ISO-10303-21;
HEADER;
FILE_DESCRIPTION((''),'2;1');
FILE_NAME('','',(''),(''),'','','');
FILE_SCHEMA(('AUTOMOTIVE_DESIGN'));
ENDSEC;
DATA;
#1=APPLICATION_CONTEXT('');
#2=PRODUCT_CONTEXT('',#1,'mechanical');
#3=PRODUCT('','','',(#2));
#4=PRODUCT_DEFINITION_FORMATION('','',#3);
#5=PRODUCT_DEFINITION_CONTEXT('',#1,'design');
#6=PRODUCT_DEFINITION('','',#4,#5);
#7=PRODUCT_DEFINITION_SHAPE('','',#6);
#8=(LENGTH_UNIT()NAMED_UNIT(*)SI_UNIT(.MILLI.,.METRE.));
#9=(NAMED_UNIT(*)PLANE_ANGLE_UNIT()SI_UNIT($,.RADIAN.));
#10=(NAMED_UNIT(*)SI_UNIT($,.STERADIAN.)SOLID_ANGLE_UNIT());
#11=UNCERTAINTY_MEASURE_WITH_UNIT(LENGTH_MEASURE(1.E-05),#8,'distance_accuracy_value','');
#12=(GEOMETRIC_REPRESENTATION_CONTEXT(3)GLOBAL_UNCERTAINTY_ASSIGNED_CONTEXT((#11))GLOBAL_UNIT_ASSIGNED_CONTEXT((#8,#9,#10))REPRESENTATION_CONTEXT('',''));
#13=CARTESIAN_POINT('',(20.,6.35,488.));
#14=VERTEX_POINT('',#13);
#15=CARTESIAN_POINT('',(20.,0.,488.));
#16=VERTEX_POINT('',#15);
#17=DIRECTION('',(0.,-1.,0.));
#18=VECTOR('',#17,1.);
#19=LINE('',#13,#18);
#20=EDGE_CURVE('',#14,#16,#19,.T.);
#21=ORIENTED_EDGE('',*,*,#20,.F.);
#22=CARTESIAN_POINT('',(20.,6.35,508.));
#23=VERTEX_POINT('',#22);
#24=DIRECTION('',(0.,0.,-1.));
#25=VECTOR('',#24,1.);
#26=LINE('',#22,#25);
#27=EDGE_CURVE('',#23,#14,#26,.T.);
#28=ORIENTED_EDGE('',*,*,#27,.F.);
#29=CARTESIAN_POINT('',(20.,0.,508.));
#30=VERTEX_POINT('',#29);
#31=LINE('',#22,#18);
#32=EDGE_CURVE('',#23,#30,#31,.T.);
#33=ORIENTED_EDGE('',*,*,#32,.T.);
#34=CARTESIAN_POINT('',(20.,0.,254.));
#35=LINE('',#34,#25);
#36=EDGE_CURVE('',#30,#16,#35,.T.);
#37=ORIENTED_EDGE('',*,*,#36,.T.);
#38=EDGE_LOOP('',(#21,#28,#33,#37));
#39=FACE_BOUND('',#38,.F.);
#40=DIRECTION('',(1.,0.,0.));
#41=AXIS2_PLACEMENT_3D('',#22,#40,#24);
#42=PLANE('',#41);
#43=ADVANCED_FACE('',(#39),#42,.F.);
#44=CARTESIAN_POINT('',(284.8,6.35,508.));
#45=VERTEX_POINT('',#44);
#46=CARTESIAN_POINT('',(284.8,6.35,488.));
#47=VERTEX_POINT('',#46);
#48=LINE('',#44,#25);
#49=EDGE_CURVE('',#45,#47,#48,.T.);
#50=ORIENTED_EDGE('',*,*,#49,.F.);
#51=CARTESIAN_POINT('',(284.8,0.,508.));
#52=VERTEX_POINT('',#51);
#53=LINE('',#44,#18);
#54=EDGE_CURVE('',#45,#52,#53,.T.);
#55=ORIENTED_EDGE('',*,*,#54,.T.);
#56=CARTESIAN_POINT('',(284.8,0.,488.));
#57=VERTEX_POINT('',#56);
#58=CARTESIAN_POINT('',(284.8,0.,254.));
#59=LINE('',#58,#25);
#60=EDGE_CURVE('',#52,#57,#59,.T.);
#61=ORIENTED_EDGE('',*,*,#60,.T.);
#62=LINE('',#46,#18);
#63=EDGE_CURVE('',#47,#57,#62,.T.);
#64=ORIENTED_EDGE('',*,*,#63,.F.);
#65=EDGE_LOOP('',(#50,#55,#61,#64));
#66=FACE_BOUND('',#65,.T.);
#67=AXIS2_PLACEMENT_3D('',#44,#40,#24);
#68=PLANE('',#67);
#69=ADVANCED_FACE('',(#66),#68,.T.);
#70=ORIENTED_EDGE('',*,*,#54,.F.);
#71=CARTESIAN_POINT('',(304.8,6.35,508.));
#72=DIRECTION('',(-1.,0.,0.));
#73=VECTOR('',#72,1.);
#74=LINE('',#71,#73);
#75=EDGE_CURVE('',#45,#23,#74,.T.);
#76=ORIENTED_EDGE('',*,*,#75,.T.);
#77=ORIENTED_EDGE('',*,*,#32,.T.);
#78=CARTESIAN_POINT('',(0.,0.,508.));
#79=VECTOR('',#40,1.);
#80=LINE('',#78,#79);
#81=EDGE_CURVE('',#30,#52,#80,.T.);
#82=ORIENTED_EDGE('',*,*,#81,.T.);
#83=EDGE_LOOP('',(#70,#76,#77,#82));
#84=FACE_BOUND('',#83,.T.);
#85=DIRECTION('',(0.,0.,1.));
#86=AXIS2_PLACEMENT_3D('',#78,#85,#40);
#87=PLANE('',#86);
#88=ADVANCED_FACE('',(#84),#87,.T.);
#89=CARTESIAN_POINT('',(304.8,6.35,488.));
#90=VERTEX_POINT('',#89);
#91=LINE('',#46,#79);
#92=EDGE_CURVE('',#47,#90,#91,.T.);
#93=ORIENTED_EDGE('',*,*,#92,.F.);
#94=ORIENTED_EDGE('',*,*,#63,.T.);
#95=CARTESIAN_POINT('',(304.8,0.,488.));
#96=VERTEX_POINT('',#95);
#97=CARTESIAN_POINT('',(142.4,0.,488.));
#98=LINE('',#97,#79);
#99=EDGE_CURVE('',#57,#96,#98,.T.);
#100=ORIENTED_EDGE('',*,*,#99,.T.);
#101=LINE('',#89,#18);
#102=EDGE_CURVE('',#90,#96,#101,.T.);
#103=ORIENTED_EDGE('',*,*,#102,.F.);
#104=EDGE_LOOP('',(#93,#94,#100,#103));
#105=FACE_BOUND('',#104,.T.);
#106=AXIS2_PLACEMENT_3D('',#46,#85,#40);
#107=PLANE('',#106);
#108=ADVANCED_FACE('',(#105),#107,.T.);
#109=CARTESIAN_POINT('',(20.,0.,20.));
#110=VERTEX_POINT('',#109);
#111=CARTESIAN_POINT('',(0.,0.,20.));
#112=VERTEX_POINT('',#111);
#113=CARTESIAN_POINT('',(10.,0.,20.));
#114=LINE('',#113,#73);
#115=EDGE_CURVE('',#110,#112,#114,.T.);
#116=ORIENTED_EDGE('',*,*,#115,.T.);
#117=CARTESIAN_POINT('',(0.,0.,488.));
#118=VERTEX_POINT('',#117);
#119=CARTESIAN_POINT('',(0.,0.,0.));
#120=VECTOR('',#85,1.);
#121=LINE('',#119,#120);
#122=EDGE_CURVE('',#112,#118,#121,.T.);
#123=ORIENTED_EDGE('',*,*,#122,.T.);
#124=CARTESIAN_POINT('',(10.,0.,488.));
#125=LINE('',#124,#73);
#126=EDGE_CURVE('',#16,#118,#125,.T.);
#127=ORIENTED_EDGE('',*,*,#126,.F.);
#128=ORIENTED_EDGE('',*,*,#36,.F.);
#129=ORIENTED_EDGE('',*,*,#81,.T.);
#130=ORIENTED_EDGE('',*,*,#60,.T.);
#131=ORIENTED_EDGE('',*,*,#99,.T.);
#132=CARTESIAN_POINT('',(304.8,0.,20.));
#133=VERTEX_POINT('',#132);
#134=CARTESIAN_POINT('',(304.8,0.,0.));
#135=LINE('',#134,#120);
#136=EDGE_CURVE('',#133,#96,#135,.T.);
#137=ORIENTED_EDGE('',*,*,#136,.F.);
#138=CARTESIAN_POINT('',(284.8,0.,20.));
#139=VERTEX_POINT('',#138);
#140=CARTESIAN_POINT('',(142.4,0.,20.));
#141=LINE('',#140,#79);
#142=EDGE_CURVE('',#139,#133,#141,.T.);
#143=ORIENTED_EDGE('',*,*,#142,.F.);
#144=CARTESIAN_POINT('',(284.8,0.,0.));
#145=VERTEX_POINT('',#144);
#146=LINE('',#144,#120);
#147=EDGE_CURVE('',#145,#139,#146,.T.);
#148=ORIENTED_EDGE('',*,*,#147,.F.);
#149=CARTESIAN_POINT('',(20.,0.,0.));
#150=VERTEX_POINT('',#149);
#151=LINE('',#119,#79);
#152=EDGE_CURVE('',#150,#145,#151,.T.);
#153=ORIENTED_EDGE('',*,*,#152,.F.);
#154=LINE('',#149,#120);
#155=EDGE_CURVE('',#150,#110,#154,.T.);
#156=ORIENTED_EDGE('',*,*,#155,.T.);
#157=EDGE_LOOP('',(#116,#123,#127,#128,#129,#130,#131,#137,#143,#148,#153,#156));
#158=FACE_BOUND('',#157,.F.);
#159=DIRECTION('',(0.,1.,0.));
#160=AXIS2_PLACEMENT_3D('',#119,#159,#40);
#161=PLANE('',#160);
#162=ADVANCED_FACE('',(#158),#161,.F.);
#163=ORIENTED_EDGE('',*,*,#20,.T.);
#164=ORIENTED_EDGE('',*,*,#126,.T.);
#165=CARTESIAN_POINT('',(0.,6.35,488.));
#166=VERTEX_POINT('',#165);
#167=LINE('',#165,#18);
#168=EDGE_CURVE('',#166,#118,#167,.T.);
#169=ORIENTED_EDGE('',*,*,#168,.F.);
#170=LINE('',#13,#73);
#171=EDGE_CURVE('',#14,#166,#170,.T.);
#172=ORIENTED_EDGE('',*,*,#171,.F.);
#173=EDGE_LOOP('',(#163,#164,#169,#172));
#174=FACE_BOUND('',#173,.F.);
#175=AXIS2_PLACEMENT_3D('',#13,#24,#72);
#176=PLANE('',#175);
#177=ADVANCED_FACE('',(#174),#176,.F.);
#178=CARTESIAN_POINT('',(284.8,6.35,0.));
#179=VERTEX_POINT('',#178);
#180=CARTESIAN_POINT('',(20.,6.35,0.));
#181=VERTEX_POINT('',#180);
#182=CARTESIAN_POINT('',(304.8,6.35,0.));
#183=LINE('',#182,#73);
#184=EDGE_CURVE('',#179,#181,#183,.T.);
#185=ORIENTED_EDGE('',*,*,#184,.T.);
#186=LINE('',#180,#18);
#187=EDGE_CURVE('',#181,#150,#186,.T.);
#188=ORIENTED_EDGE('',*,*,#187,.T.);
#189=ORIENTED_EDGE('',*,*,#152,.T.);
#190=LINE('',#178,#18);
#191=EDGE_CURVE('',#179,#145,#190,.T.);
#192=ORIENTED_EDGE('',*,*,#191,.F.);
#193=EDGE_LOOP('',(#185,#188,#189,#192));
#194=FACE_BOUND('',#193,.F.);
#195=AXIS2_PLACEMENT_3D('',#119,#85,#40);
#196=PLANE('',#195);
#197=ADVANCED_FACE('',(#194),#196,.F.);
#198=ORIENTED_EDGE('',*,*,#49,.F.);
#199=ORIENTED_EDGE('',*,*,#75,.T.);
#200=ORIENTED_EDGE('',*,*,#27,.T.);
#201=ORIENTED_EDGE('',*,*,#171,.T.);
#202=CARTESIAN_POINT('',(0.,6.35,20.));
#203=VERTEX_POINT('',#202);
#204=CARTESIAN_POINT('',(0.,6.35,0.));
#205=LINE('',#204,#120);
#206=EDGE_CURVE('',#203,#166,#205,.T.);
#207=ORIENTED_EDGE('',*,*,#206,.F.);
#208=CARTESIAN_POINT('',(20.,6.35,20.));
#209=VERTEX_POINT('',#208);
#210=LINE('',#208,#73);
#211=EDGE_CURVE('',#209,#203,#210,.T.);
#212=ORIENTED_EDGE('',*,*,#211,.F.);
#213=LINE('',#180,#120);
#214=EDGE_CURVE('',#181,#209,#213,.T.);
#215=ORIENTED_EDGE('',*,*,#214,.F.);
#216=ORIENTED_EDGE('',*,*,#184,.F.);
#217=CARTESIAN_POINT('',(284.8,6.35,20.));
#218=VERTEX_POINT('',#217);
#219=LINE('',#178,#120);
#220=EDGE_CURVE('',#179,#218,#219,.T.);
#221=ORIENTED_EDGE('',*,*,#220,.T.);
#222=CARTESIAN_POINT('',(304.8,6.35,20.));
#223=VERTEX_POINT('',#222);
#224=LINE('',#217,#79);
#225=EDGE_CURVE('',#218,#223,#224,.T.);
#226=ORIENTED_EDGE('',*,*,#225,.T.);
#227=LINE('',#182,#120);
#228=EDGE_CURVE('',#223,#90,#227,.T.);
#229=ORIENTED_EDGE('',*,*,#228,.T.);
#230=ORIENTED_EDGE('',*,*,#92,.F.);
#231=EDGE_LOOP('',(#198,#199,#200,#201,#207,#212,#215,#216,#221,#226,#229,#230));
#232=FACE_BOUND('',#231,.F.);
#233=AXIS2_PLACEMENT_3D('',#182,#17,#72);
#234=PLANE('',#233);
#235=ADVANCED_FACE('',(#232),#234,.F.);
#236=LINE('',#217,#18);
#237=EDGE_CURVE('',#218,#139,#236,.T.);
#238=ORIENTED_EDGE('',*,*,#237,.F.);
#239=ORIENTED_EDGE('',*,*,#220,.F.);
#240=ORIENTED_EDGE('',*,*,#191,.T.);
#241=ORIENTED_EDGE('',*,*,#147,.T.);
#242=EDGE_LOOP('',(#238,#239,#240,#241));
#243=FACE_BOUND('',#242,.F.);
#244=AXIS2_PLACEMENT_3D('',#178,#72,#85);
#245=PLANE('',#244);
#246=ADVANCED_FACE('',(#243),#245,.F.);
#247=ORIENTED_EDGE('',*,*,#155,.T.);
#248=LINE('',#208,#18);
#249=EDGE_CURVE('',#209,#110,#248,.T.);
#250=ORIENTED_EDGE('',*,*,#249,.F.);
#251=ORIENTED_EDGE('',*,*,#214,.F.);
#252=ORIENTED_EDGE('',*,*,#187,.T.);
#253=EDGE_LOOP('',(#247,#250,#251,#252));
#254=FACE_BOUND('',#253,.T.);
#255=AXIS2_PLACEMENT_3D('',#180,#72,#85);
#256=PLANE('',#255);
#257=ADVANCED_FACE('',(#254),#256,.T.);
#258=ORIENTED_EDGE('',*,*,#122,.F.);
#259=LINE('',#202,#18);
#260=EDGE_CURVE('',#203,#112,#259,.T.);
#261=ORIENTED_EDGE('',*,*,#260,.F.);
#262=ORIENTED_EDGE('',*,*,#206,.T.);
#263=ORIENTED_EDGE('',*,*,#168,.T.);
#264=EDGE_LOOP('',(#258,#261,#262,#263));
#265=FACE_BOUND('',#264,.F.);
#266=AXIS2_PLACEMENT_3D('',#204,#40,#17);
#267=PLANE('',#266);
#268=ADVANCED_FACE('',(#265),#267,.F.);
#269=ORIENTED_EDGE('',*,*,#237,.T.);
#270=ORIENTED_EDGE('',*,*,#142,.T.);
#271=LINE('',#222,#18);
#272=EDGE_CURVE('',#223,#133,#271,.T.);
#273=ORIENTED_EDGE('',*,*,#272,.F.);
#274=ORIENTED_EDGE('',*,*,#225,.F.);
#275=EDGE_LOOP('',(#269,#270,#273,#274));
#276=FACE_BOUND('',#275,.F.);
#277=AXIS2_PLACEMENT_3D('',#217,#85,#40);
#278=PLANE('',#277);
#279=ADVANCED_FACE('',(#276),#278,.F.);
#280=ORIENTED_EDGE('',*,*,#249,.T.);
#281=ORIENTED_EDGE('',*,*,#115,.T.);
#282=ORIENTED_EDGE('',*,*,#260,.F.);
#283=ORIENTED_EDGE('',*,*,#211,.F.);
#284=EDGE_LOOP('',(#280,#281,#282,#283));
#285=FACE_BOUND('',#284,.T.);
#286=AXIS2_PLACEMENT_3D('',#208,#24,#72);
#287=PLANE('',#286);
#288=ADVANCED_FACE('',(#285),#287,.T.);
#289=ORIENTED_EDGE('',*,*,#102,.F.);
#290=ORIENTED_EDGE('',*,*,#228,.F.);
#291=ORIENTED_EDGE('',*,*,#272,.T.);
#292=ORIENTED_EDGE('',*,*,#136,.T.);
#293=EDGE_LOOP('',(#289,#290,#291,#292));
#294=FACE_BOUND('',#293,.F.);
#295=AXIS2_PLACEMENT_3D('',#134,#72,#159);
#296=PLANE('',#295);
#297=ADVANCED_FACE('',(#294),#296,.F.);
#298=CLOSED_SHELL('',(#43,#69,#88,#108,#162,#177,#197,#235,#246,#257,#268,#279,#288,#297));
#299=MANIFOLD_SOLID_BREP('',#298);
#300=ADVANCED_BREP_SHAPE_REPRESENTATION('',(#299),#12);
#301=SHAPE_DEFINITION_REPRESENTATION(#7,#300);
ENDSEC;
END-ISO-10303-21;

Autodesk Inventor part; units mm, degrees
ref_plane "YZ Plane" through (0, 0, 0) normal (1, 0, 0) x (0, 1, 0)
ref_plane "XZ Plane" through (0, 0, 0) normal (0, 1, 0) x (-1, 0, 0)
ref_plane "XY Plane" through (0, 0, 0) normal (0, 0, 1) x (1, 0, 0)
sketch "Sketch1" plane through (0, 0, 0) normal (0, 0, 1) x (1, 0, 0)
  line L0 (0, 0) -> (304.8, 0)
  line L1 (304.8, 0) -> (304.8, 6.35)
  line L2 (304.8, 6.35) -> (0, 6.35)
  line L3 (0, 6.35) -> (0, 0)
  dimension "d0" = 304.8
  dimension "d1" = 6.35
extrude "Extrusion1" add sketch "Sketch1" along normal blind 508
sketch "Sketch2" plane through (0, 6.35, 0) normal (0, 1, 0) x (1, 0, 0)
  line L0 (304.8, 0) -> (0, 0) construction
  line L1 (152.4, 0) -> (152.4, -508) construction
  line L2 (304.8, -508) -> (0, -508) construction
  line L3 (0, 0) -> (0, -508) construction
  line L4 (0, -254) -> (304.8, -254) construction
  line L5 (304.8, 0) -> (304.8, -508) construction
  line L6 (0, 0) -> (0, -20)
  line L7 (0, -20) -> (20, -20) construction
  line L8 (20, -20) -> (0, -20)
  line L9 (0, -20) -> (0, 0)
  line L10 (0, 0) -> (20, 0)
  line L11 (20, 0) -> (20, -20)
  line L12 (304.8, 0) -> (304.8, -20)
  line L13 (304.8, -20) -> (284.8, -20) construction
  line L14 (284.8, -20) -> (304.8, -20)
  line L15 (304.8, -20) -> (304.8, 0)
  line L16 (304.8, 0) -> (284.8, 0)
  line L17 (284.8, 0) -> (284.8, -20)
  line L18 (304.8, -508) -> (0, -508) construction
  line L19 (0, -508) -> (0, -488)
  line L20 (0, -488) -> (20, -488) construction
  line L21 (20, -488) -> (0, -488)
  line L22 (0, -488) -> (0, -508)
  line L23 (0, -508) -> (20, -508)
  line L24 (20, -508) -> (20, -488)
  line L25 (304.8, -508) -> (304.8, -488)
  line L26 (304.8, -488) -> (284.8, -488) construction
  line L27 (284.8, -488) -> (304.8, -488)
  line L28 (304.8, -488) -> (304.8, -508)
  line L29 (304.8, -508) -> (284.8, -508)
  line L30 (284.8, -508) -> (284.8, -488)
  dimension "d4" = 20
  dimension "d5" = 20
extrude "Extrusion2" cut sketch "Sketch2" against normal through all
properties part number "Shee"
